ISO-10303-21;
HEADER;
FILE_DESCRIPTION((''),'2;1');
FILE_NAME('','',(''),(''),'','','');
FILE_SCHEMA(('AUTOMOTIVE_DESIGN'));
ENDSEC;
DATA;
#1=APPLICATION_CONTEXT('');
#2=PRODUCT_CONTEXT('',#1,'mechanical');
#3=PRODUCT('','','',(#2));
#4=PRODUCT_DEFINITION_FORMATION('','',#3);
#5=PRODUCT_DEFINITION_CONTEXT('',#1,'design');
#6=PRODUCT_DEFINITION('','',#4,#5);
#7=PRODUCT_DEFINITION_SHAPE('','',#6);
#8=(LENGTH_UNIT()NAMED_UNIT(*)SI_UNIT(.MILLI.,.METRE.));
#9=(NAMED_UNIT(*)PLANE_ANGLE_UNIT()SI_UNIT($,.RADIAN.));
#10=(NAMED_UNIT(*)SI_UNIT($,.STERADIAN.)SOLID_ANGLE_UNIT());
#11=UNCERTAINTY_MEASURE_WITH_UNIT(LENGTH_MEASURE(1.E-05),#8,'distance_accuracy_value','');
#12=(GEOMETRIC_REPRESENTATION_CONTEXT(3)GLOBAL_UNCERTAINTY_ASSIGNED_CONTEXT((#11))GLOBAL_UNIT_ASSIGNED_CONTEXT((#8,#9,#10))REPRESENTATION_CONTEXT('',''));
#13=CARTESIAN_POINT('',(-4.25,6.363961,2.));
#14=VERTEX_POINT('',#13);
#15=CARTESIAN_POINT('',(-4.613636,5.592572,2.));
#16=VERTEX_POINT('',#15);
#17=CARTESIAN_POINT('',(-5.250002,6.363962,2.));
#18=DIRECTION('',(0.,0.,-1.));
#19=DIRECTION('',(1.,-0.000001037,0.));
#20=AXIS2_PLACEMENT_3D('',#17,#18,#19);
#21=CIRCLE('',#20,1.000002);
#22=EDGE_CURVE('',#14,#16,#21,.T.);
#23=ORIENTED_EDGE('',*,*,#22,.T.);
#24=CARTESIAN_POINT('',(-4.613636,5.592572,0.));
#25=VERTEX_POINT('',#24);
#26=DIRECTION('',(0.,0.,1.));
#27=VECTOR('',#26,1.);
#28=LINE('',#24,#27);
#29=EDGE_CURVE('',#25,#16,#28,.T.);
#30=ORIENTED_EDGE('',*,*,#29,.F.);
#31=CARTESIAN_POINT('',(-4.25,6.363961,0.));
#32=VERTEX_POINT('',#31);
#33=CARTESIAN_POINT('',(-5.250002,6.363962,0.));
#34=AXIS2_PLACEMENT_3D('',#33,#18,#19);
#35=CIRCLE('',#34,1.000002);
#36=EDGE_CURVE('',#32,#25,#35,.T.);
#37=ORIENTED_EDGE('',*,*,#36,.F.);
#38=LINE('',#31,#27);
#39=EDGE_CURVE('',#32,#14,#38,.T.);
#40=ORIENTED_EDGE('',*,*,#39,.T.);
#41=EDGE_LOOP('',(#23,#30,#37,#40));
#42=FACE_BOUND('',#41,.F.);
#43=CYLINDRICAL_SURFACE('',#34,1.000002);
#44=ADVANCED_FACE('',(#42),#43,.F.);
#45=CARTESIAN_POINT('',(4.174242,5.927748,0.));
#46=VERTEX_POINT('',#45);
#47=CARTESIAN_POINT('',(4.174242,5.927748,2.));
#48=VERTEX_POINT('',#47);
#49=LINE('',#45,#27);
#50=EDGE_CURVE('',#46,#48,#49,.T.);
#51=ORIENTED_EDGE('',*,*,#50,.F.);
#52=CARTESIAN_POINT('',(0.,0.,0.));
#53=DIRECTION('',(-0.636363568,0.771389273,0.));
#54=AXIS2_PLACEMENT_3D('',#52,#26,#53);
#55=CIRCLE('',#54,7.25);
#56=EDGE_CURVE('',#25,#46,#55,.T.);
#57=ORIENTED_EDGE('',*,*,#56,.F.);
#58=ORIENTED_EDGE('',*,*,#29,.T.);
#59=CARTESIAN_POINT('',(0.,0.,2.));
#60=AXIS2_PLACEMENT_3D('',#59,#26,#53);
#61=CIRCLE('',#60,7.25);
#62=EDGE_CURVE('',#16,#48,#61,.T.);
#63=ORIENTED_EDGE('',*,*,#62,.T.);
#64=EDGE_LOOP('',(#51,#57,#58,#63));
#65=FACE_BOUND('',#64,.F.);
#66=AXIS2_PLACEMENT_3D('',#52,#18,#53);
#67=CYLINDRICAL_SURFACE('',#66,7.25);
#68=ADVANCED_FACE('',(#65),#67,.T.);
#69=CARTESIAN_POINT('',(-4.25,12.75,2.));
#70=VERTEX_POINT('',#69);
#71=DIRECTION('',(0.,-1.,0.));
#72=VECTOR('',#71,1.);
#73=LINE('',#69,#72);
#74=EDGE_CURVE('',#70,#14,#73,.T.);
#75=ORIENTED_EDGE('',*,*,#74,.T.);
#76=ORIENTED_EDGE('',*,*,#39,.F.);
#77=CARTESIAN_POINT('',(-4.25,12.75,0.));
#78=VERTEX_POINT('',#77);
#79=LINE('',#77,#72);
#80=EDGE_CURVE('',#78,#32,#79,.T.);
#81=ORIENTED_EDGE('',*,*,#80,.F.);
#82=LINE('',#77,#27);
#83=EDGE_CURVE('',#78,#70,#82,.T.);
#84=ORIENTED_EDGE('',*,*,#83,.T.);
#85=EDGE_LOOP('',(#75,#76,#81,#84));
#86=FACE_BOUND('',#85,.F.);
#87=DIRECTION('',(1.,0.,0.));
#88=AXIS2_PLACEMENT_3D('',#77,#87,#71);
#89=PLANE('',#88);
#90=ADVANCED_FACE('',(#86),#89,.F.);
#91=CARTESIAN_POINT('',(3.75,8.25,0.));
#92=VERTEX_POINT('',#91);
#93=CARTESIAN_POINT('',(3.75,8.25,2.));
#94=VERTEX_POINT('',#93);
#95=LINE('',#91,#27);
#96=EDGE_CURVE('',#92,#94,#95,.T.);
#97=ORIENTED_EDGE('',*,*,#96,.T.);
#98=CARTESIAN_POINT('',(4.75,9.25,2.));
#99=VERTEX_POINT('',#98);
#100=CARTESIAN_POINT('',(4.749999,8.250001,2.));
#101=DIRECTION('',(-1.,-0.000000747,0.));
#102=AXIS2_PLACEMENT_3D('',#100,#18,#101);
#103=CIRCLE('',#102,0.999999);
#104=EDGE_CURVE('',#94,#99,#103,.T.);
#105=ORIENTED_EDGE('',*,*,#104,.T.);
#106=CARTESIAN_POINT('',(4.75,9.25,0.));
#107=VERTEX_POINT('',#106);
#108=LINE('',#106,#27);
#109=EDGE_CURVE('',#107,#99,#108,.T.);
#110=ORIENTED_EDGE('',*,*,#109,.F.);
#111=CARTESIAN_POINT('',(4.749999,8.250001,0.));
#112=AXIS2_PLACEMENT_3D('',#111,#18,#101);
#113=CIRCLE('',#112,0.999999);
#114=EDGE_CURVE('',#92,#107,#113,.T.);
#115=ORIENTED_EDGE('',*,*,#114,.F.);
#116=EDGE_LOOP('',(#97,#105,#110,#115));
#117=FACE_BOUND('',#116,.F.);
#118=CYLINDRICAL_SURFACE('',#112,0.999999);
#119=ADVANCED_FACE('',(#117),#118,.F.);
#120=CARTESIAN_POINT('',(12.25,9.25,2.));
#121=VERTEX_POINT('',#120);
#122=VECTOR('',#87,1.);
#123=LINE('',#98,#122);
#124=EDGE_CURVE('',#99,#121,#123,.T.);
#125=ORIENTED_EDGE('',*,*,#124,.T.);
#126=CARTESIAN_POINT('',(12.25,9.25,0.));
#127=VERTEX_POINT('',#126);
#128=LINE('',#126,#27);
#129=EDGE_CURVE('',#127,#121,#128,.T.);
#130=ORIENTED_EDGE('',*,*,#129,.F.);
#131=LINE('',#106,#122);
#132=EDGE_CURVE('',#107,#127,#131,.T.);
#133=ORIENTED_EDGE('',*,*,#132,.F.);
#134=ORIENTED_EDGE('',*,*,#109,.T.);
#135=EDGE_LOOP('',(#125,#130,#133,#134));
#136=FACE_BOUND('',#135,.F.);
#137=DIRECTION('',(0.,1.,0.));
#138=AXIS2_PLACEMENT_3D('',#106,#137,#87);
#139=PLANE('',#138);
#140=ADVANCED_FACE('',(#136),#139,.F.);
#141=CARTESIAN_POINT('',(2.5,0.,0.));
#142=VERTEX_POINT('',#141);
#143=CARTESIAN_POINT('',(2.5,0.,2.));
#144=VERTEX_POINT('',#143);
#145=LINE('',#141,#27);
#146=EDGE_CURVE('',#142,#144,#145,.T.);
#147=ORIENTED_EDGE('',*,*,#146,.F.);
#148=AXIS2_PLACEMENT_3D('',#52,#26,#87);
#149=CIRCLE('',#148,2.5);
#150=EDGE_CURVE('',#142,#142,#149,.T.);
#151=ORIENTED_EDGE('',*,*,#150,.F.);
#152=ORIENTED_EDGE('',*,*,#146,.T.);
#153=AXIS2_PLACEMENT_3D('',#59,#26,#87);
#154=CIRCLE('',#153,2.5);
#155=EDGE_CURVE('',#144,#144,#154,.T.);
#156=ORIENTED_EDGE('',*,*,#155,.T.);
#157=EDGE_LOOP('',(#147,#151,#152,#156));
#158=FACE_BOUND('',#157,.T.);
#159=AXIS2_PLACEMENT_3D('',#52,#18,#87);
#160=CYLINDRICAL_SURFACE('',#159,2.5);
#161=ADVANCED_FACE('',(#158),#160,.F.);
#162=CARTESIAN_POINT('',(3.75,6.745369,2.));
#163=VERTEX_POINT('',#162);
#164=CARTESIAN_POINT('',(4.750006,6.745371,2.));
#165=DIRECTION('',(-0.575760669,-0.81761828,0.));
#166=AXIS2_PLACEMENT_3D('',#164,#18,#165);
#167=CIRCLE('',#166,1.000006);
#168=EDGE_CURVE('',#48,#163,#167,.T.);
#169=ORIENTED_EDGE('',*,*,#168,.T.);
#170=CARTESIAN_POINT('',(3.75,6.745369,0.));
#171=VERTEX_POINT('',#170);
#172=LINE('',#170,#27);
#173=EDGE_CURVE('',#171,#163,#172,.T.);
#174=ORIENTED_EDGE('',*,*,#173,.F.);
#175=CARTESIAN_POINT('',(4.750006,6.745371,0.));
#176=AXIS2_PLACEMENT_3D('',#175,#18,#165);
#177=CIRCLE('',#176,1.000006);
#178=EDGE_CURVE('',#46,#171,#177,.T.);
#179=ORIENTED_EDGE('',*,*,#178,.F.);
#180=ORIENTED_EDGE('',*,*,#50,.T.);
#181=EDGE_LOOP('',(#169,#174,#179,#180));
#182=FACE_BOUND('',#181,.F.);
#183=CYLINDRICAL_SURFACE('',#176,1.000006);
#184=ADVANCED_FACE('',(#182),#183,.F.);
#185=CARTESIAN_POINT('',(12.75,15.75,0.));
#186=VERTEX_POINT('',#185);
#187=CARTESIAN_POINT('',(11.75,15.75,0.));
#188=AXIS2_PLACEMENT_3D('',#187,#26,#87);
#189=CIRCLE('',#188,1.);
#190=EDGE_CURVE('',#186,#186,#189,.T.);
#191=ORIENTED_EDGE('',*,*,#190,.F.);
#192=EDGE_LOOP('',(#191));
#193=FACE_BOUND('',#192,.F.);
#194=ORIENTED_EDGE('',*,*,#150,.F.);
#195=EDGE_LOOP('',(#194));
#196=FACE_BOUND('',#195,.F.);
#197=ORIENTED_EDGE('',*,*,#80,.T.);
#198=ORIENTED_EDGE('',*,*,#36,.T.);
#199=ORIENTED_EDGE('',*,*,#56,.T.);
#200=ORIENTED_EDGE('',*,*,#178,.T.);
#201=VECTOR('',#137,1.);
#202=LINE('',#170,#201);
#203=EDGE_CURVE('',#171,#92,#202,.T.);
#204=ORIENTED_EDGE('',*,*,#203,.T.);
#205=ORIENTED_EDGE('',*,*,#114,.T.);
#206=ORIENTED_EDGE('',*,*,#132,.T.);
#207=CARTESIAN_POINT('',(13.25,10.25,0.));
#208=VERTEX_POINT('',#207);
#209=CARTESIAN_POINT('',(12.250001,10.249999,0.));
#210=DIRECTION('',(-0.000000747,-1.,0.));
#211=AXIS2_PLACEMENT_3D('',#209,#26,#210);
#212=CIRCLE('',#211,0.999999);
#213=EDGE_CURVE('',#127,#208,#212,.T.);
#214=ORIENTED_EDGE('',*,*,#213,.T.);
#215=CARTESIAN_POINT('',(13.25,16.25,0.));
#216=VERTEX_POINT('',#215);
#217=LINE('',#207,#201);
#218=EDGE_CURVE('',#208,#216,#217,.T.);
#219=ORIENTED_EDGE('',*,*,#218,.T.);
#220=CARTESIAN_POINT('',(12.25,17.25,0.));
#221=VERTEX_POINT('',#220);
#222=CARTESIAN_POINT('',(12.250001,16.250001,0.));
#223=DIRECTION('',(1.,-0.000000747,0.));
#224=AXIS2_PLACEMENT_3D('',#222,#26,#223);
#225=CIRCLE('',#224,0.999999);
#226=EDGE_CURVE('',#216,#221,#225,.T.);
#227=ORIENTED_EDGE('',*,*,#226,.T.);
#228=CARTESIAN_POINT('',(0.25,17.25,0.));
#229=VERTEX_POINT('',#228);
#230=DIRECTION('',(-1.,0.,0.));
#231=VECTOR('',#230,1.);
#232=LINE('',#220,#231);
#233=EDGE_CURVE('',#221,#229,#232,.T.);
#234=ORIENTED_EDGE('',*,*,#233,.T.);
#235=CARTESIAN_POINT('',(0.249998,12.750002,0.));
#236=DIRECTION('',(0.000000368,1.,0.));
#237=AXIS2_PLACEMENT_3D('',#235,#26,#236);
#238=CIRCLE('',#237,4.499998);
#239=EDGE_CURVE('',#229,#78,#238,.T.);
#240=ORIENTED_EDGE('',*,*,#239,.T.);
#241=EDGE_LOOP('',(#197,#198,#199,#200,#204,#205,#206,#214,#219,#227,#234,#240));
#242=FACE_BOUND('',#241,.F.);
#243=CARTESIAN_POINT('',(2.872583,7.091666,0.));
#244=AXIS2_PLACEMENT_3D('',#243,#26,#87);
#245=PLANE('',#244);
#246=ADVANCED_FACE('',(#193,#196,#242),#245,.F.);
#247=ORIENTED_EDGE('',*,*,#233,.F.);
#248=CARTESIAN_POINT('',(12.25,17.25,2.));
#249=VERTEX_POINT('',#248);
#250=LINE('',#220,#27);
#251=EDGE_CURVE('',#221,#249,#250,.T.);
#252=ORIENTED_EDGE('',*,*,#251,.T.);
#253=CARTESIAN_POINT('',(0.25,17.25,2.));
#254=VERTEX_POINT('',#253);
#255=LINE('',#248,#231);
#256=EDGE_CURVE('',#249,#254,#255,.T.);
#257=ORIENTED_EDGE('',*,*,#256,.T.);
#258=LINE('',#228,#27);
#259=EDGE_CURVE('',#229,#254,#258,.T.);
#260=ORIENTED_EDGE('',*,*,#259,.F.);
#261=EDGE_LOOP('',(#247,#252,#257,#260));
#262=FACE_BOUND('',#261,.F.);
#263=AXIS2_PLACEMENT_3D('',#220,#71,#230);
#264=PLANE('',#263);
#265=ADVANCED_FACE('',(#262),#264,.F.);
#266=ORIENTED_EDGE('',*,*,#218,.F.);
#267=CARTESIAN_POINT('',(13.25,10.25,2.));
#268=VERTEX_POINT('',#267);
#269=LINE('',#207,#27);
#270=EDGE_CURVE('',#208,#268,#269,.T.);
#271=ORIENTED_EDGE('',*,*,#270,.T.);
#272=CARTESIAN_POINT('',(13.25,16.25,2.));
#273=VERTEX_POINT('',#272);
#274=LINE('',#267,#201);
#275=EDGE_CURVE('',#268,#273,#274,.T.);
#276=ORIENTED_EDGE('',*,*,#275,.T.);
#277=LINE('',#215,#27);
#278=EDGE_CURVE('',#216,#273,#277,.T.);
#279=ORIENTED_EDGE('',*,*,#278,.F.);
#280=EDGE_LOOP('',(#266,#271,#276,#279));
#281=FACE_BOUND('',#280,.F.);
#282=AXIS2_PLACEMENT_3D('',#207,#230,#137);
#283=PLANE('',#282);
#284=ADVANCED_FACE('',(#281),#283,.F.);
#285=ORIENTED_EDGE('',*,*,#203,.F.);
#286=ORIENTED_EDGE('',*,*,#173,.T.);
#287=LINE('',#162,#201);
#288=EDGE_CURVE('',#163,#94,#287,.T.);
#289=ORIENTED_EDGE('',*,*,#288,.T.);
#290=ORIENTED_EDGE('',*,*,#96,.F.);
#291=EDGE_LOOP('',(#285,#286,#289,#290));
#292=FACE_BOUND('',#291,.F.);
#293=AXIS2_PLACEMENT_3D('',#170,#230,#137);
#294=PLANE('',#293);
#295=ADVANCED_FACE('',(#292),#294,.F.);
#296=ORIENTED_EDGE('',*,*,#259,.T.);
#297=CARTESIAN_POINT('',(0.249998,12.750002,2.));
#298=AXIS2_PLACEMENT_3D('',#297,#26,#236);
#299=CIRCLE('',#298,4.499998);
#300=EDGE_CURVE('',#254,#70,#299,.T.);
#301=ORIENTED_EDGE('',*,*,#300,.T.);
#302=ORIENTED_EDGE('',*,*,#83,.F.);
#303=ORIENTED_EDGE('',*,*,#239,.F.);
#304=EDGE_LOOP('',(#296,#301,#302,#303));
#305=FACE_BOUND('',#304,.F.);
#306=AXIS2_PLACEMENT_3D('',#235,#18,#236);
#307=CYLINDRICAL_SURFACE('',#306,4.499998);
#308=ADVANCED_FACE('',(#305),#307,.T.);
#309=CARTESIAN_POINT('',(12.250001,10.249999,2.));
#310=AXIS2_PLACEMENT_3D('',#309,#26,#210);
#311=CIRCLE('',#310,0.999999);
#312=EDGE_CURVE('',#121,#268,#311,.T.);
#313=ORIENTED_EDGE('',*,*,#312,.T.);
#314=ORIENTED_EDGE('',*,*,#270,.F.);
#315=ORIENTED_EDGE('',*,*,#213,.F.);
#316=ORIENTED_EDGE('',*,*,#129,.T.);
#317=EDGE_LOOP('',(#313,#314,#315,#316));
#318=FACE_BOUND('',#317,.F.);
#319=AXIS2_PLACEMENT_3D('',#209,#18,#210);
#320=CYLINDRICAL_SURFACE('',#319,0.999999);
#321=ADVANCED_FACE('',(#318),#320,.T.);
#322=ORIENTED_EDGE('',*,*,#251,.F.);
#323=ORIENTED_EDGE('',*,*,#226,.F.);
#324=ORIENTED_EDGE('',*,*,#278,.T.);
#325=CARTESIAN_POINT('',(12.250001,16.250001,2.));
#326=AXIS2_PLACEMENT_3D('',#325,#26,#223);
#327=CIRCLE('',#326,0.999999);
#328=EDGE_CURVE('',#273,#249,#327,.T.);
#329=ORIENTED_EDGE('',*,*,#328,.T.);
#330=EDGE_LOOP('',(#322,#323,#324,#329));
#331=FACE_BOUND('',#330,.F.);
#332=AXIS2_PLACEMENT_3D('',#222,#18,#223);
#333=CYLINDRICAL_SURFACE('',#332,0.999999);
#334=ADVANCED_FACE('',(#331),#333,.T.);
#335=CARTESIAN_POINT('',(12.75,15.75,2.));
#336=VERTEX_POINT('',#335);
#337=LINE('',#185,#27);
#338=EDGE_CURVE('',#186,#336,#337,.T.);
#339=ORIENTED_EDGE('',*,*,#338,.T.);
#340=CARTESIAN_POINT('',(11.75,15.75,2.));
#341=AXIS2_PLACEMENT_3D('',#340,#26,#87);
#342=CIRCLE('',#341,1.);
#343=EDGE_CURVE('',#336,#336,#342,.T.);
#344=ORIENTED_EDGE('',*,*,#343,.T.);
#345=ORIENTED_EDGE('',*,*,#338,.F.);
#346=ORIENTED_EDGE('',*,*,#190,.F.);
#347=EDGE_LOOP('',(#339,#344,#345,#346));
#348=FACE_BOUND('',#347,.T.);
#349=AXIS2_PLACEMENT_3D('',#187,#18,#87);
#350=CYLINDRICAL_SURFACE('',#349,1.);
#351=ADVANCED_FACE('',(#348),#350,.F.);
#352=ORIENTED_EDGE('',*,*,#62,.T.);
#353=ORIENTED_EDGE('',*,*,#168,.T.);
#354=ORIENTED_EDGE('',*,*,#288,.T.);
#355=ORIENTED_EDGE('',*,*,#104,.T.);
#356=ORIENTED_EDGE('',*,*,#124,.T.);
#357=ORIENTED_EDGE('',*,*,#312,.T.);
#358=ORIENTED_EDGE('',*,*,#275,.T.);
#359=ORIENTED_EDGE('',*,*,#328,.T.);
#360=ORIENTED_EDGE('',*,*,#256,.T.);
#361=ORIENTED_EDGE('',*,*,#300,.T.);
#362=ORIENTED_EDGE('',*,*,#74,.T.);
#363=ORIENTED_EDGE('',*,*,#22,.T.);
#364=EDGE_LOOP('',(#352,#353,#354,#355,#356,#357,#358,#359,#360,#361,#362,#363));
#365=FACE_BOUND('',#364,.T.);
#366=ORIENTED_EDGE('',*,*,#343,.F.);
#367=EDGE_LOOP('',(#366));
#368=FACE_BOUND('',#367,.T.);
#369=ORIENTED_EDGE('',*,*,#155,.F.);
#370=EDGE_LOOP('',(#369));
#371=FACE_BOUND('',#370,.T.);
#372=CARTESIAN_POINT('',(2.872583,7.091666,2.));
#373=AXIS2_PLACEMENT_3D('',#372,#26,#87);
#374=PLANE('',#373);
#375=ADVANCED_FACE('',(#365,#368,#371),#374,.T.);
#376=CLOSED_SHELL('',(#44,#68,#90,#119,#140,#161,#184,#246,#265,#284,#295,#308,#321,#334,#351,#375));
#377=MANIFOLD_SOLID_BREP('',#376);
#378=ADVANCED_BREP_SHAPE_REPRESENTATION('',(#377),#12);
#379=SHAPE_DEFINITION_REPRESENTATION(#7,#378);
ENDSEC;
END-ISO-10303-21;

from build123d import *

# Parameters (mm, degrees)
F0_R     = 2.5
F0_R_2   = 1
F1_DEPTH = 2


with BuildPart() as f1:
    # F0 (on Top) → F1 (new body)
    with BuildSketch(Plane.XY):
        with BuildLine():
            ThreePointArc((-4.25, 6.363961), (-4.345466, 5.93756), (-4.613636, 5.592572))
            ThreePointArc((-4.613636, 5.592572), (0.27632, -7.244732), (4.174242, 5.927748))
            ThreePointArc((4.174242, 5.927748), (3.862375, 6.284803), (3.75, 6.745369))
            Line((3.75, 6.745369), (3.75, 8.25))
            ThreePointArc((3.75, 8.25), (4.042893, 8.957107), (4.75, 9.25))
            Line((4.75, 9.25), (12.25, 9.25))
            ThreePointArc((12.25, 9.25), (12.957107, 9.542893), (13.25, 10.25))
            Line((13.25, 10.25), (13.25, 16.25))
            ThreePointArc((13.25, 16.25), (12.957107, 16.957107), (12.25, 17.25))
            Line((12.25, 17.25), (0.25, 17.25))
            ThreePointArc((0.25, 17.25), (-2.931981, 15.931981), (-4.25, 12.75))
            Line((-4.25, 12.75), (-4.25, 6.363961))
        make_face()
        Circle(F0_R, mode=Mode.SUBTRACT)
        with Locations((11.75, 15.75)):
            Circle(F0_R_2, mode=Mode.SUBTRACT)
    extrude(amount=F1_DEPTH)


solid = f1.part
